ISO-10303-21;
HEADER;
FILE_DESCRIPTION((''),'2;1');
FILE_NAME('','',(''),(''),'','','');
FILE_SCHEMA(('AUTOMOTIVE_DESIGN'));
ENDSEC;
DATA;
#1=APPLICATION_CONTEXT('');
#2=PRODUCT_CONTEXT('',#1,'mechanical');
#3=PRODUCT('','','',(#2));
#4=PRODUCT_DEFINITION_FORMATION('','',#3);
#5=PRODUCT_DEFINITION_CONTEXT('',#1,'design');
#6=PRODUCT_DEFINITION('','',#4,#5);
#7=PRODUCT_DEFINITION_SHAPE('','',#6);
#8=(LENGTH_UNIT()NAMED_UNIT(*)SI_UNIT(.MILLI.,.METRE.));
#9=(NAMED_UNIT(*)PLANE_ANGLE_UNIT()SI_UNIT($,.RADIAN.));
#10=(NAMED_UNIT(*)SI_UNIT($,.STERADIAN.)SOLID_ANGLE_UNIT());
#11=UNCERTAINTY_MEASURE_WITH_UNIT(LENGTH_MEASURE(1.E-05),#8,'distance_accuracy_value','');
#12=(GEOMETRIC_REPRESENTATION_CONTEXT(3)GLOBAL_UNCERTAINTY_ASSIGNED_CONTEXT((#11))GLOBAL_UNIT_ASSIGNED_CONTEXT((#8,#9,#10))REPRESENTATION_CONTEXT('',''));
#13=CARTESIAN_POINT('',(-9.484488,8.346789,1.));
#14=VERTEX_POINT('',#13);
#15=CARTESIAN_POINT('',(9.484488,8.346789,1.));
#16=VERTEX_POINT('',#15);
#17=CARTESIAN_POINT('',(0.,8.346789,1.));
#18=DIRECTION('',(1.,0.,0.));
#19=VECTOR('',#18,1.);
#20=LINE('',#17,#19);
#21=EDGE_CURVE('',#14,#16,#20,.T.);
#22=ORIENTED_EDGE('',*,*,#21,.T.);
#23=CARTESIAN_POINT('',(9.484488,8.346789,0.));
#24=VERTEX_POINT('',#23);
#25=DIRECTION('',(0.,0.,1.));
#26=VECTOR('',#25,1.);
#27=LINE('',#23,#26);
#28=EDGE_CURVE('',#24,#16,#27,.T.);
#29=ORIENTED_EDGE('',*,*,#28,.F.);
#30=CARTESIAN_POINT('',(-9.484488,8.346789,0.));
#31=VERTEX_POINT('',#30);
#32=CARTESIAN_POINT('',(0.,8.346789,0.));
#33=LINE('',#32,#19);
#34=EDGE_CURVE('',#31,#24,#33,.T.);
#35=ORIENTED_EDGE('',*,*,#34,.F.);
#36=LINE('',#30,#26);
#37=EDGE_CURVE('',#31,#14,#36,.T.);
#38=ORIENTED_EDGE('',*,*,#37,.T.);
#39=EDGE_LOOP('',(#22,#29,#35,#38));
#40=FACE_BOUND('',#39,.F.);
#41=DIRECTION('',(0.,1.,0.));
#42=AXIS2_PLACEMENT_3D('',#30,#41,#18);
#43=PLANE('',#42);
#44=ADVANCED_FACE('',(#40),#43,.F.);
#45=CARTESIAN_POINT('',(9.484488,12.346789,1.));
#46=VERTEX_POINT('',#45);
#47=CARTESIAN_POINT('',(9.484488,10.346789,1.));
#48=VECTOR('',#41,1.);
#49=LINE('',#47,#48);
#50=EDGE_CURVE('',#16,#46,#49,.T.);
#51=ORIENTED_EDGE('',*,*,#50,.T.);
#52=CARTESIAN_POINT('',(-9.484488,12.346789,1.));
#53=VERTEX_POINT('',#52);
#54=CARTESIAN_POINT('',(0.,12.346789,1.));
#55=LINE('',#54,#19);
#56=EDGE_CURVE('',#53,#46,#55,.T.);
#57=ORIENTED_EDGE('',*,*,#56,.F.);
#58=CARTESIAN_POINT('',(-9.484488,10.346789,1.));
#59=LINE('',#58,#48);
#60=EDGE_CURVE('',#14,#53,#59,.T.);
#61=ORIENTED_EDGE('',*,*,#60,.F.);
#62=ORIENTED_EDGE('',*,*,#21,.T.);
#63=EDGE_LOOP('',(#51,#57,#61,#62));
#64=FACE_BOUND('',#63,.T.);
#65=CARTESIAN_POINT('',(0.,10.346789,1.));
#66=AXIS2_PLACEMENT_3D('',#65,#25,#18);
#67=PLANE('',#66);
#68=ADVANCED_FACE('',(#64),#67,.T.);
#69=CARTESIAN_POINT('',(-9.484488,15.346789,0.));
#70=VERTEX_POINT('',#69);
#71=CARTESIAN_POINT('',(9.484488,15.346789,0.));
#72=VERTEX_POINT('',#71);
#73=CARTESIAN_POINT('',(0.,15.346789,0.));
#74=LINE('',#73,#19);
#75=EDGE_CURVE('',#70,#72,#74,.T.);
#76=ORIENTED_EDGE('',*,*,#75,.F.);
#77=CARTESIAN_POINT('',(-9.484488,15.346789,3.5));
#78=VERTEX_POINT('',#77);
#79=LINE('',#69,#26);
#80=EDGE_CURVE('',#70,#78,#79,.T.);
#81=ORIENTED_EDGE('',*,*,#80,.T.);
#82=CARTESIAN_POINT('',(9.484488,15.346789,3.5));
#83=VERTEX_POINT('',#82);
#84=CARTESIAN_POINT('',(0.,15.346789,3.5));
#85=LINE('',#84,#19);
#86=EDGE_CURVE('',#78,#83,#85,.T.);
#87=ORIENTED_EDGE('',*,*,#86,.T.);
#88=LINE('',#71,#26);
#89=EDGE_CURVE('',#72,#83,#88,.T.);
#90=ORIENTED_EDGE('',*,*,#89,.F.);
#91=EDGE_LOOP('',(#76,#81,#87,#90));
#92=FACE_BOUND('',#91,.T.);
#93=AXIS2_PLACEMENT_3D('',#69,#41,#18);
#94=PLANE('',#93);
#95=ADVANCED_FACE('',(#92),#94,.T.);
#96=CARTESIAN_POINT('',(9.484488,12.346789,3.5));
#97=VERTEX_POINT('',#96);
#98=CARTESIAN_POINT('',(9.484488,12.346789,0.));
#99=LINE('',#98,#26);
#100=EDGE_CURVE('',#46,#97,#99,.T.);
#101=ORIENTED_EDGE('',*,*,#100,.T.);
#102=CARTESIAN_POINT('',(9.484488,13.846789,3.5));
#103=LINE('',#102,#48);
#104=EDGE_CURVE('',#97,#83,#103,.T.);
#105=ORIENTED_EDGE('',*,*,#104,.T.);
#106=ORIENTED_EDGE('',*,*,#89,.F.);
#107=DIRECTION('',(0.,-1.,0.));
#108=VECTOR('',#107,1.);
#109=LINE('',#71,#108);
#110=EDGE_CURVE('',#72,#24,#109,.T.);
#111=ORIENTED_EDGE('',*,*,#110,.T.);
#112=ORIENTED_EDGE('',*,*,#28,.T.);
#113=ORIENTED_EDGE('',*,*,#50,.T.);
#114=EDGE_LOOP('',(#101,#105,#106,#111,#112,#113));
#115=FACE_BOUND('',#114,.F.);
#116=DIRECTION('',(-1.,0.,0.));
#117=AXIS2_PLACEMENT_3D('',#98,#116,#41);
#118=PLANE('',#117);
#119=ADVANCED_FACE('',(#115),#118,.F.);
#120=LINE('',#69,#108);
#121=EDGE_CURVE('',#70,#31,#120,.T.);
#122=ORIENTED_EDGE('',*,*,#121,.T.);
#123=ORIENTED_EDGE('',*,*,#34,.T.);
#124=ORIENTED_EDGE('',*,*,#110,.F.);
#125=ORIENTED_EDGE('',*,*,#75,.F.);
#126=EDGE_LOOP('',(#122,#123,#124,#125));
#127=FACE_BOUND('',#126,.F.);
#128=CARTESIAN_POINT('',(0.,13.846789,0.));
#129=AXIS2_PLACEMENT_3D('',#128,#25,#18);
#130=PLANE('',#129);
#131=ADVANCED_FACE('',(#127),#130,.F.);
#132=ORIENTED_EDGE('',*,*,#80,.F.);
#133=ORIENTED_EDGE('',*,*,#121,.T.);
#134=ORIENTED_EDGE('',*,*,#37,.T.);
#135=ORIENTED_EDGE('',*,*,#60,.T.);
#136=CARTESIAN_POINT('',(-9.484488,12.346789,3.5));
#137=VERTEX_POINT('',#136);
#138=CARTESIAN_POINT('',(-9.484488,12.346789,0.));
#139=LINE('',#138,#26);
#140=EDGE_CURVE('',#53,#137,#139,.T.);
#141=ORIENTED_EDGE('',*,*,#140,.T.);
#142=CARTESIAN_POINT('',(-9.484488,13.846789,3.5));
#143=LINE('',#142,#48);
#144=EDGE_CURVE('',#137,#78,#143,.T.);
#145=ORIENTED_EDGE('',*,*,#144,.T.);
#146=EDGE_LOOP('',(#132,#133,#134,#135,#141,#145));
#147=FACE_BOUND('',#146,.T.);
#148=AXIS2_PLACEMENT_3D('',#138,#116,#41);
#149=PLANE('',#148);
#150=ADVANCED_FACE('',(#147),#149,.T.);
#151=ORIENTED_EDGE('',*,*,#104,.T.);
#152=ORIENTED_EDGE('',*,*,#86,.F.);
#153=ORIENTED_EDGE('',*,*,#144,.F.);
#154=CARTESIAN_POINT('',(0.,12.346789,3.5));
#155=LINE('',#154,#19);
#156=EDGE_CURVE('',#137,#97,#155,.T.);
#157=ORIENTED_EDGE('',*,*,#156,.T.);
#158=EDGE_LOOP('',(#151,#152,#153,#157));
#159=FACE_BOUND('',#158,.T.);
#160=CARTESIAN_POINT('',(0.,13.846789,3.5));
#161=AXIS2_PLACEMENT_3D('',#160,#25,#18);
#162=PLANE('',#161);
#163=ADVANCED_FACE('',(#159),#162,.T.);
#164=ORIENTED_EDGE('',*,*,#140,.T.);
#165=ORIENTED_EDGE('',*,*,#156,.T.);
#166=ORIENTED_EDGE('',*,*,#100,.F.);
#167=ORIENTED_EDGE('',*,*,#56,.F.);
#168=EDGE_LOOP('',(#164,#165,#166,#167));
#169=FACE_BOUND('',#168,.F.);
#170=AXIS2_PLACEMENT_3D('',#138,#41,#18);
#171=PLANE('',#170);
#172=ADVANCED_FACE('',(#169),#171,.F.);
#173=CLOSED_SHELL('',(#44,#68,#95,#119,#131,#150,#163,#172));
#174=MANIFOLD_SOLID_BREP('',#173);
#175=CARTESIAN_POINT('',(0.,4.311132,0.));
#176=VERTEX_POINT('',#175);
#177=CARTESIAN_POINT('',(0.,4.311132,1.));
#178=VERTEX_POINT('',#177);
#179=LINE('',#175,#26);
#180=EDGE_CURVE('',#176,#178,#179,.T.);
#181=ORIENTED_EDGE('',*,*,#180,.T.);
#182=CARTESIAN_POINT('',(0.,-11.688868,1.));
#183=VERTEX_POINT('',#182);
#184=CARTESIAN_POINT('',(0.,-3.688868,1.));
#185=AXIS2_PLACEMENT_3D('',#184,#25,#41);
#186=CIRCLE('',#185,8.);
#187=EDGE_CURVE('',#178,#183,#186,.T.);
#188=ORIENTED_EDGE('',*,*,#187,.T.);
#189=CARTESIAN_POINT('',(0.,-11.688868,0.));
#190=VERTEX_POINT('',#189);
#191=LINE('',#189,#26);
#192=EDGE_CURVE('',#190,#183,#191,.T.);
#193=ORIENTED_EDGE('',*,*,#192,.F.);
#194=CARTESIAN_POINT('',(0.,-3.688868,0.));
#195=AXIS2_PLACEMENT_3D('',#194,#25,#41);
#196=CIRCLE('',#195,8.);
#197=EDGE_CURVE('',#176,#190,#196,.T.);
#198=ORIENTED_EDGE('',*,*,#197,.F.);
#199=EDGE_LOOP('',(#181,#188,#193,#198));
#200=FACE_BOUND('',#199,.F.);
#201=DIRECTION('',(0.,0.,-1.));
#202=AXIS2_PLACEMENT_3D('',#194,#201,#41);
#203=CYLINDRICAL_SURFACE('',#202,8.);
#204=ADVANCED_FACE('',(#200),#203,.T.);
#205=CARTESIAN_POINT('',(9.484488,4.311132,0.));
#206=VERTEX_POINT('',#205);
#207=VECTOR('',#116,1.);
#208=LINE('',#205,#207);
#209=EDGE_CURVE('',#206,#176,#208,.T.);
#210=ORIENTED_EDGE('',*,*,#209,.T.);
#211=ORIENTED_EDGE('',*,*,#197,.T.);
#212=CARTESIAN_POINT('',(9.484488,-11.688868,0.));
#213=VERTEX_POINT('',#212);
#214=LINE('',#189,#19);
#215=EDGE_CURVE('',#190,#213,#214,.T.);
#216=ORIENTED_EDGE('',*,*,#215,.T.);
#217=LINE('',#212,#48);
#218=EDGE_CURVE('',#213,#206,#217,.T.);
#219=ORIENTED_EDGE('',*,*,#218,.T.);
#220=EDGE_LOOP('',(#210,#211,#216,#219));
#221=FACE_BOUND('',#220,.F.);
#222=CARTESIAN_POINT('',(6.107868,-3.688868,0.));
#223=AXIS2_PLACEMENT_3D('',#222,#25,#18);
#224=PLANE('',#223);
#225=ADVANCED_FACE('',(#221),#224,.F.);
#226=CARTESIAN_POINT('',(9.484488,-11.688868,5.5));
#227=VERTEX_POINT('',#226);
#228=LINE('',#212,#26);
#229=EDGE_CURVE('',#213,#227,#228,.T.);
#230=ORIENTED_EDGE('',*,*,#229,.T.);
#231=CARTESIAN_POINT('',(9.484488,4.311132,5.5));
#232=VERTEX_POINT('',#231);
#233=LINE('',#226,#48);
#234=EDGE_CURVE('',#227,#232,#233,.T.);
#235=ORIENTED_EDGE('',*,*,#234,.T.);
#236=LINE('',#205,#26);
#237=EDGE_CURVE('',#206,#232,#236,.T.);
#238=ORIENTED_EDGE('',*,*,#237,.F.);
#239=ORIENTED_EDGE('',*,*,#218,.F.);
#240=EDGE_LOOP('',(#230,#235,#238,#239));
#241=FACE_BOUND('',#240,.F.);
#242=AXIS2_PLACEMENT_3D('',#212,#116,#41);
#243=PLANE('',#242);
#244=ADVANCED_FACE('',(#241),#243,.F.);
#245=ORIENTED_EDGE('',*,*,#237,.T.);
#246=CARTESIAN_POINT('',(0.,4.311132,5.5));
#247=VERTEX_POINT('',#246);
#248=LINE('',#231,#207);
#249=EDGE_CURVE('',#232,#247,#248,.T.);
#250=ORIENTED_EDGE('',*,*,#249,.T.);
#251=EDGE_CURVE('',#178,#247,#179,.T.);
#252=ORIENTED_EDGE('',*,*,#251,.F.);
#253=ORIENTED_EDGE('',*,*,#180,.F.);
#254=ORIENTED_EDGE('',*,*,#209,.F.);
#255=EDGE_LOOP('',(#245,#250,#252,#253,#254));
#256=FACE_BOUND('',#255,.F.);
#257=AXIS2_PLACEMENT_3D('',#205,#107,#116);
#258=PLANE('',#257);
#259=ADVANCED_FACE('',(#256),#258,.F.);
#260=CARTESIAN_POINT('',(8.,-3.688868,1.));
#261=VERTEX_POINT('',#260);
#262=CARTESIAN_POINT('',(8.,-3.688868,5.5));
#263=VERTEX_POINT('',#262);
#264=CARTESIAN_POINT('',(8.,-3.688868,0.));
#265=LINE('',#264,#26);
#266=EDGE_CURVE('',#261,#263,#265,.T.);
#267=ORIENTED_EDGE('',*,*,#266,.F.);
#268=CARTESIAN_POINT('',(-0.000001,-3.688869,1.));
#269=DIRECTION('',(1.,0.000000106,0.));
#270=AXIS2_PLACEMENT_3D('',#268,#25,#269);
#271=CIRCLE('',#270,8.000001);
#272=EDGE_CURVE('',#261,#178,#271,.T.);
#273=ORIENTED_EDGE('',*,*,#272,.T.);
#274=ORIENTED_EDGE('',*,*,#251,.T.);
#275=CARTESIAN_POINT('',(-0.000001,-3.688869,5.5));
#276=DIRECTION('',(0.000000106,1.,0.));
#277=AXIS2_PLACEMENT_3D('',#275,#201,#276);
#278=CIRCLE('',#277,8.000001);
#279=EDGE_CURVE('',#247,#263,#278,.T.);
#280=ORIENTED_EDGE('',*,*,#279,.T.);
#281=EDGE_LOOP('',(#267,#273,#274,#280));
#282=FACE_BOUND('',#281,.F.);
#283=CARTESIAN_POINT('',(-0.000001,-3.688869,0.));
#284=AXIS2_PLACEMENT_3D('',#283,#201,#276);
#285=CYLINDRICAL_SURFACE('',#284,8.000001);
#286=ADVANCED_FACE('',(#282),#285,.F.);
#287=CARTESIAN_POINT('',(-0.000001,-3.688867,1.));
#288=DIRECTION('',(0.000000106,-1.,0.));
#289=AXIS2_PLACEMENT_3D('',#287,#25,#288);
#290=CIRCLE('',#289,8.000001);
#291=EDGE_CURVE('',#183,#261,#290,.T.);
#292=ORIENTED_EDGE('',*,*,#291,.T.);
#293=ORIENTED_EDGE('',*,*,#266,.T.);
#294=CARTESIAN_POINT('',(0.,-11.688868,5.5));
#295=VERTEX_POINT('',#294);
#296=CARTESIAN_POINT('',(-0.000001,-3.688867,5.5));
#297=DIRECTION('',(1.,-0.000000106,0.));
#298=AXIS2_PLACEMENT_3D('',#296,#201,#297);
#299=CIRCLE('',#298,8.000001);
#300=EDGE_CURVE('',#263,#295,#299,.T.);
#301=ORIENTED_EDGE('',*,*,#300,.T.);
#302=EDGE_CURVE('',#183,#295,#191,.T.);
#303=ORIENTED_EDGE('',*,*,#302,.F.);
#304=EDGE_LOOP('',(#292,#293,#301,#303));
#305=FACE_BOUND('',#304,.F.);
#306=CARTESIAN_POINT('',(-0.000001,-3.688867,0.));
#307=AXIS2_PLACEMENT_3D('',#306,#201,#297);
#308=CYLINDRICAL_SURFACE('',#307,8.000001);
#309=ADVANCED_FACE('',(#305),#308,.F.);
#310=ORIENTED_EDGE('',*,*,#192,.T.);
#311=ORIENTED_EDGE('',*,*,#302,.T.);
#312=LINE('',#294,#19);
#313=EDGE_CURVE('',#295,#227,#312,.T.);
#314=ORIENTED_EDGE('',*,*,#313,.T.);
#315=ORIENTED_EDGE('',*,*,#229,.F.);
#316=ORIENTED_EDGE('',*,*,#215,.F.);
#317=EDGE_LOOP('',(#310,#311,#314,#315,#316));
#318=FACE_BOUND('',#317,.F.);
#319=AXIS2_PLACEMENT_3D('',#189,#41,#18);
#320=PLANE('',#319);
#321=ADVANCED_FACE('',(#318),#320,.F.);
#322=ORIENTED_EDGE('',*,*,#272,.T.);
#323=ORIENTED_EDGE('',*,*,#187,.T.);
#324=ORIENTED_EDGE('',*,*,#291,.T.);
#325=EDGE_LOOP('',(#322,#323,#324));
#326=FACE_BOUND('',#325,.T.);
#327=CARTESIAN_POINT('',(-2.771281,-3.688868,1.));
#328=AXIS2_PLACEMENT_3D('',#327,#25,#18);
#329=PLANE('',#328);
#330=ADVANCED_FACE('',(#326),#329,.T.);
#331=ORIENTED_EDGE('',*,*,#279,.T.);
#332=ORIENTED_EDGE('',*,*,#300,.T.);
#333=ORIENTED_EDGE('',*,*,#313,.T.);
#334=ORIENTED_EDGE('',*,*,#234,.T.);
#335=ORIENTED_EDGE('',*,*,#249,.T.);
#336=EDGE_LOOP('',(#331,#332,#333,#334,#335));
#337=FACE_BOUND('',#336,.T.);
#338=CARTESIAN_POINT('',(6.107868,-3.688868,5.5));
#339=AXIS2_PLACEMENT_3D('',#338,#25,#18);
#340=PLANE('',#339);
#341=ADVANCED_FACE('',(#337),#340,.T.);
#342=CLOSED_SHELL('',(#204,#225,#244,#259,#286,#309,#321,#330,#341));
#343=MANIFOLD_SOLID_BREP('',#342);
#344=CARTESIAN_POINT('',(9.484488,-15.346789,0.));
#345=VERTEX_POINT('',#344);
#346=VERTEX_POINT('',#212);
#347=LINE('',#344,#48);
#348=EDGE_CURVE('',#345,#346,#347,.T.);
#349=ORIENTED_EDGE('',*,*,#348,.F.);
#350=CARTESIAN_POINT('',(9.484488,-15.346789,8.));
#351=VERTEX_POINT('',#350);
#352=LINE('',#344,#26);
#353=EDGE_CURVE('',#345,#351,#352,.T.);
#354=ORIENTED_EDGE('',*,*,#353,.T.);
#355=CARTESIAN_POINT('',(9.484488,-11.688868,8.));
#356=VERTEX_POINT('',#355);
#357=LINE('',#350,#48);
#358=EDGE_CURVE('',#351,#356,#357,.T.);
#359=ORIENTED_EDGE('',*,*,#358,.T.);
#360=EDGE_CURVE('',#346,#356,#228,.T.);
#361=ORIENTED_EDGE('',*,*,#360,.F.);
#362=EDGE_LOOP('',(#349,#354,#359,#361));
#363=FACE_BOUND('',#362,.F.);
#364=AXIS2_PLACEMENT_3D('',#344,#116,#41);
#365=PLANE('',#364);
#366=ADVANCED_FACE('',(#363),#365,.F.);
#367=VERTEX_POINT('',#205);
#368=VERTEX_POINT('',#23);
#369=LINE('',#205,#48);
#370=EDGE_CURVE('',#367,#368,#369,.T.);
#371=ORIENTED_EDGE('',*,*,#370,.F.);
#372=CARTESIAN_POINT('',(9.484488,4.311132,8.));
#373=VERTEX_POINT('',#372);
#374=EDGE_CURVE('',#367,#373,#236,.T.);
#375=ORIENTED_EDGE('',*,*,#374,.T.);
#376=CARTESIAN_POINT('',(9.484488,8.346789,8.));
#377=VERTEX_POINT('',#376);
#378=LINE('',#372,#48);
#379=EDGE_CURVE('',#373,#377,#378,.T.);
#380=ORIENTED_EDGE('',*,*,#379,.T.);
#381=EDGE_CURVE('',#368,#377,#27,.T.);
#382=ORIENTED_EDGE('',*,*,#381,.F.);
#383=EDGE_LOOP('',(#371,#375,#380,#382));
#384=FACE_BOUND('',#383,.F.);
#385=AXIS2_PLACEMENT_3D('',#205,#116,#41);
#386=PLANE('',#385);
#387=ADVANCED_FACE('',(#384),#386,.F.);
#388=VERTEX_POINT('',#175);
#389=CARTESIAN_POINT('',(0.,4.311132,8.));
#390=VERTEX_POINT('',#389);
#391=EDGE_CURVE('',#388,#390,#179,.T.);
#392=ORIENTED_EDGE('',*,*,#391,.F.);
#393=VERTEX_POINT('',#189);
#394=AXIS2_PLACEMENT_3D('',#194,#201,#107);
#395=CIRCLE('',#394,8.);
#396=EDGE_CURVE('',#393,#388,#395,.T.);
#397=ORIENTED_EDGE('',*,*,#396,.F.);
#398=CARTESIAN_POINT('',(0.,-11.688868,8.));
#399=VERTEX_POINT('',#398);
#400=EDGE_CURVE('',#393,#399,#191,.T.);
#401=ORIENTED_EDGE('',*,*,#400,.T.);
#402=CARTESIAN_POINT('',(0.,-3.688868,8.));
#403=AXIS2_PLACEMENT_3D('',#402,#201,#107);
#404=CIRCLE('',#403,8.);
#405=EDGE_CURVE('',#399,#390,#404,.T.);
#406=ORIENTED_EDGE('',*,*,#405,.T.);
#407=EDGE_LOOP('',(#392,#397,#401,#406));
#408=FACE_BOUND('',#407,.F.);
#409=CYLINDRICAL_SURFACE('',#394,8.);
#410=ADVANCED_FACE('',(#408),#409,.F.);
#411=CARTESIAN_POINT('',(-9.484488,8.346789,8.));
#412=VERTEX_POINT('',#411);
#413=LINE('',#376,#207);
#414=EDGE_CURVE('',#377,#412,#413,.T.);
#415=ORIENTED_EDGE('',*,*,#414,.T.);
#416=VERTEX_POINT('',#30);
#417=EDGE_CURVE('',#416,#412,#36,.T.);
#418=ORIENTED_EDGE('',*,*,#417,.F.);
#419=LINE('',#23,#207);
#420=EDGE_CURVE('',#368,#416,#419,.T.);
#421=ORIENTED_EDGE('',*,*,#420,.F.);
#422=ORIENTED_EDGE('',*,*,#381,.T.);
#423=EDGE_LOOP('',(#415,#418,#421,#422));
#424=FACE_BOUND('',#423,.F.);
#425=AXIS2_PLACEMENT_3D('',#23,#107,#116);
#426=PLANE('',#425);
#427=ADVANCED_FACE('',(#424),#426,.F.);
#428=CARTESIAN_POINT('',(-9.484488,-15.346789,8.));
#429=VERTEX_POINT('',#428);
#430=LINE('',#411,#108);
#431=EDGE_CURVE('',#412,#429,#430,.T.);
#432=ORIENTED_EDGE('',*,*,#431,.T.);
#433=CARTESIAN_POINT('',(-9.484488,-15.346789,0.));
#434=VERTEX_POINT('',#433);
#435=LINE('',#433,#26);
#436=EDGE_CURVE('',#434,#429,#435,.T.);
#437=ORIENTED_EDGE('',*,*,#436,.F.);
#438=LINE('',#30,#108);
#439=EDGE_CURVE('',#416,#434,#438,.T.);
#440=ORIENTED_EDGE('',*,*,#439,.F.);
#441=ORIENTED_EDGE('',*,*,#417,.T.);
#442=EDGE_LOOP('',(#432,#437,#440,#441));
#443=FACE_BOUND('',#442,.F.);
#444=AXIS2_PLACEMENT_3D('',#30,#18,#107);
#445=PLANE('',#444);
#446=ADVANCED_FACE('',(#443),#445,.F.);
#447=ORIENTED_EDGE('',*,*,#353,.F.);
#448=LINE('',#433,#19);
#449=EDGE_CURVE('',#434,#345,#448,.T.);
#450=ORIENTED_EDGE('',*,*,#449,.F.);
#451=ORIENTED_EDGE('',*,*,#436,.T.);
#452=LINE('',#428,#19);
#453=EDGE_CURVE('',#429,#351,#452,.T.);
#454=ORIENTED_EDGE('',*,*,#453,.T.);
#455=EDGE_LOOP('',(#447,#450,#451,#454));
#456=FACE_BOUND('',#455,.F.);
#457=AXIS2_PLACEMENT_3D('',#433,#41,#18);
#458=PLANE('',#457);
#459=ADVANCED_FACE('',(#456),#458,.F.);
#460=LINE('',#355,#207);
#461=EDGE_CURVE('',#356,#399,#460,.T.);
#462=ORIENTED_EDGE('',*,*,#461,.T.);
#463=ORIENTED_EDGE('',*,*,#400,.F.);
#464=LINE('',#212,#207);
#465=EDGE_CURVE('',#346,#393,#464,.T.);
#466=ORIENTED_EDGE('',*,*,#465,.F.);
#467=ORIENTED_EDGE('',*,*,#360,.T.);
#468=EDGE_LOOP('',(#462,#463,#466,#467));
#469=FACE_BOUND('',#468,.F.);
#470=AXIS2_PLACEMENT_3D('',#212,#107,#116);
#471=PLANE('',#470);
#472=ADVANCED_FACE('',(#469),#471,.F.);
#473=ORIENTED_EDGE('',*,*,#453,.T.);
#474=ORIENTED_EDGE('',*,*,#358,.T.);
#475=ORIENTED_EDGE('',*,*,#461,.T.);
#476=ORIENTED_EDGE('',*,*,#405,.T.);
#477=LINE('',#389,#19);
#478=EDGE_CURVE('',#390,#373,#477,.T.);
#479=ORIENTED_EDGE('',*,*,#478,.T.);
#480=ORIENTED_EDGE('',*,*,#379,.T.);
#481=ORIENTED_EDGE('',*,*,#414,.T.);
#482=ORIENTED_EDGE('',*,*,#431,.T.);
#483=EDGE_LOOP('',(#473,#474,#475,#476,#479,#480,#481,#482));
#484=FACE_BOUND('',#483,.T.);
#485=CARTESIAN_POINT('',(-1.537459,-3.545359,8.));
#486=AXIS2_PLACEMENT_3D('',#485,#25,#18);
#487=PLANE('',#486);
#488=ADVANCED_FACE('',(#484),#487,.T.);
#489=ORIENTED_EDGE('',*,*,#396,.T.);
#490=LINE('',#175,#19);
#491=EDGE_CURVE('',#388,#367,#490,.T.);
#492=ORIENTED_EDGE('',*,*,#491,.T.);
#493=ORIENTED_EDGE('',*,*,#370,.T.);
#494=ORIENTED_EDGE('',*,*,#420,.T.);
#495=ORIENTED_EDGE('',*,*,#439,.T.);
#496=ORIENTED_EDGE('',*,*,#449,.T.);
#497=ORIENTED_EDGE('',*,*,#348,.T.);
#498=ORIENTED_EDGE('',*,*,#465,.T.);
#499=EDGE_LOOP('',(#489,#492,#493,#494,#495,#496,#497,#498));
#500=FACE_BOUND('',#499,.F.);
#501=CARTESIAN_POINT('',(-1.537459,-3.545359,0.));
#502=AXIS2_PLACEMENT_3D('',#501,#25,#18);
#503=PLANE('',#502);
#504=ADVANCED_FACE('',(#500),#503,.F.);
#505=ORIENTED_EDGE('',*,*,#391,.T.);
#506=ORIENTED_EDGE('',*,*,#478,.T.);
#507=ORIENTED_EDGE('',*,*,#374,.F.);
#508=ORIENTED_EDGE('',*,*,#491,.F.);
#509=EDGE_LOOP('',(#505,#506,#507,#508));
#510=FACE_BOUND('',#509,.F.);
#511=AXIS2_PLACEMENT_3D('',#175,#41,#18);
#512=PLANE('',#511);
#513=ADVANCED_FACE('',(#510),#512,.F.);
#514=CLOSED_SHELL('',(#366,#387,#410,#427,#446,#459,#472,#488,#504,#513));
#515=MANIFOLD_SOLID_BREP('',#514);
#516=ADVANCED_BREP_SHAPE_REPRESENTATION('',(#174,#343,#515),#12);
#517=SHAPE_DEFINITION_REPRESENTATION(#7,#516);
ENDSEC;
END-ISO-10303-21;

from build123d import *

# Parameters (mm, degrees)
F0_W     = 18.968976
F0_H     = 4
F1_DEPTH = 1
F2_DEPTH = 5.5
F3_DEPTH = 8
F0_H_2   = 3
F4_DEPTH = 3.5


with BuildPart() as f1:
    # F0 (on Top) → F1 (new body)
    with BuildSketch(Plane.XY):
        with BuildLine():
            Line((0, -11.688868), (0, 4.311132))
            ThreePointArc((0, 4.311132), (-8, -3.688868), (0, -11.688868))
        make_face()
        with BuildLine():
            ThreePointArc((8, -3.688868), (5.656854, 1.967986), (0, 4.311132))
            Line((0, 4.311132), (0, -11.688868))
            ThreePointArc((0, -11.688868), (5.656854, -9.345722), (8, -3.688868))
        make_face()
        with Locations((0, 10.346789)):
            Rectangle(F0_W, F0_H)
    extrude(amount=F1_DEPTH)

    # F0 (on Top) → F2 (join)
    with BuildSketch(Plane.XY):
        with BuildLine():
            Line((9.484488, -11.688868), (9.484488, 4.311132))
            Line((9.484488, 4.311132), (0, 4.311132))
            ThreePointArc((0, 4.311132), (5.656854, 1.967986), (8, -3.688868))
            ThreePointArc((8, -3.688868), (5.656854, -9.345722), (0, -11.688868))
            Line((0, -11.688868), (9.484488, -11.688868))
        make_face()
    extrude(amount=F2_DEPTH)

    # F0 (on Top) → F4 (join)
    with BuildSketch(Plane.XY):
        with Locations((0, 13.846789)):
            Rectangle(F0_W, F0_H_2)
    extrude(amount=F4_DEPTH)


with BuildPart() as f3:
    # F0 (on Top) → F3 (new body)
    with BuildSketch(Plane.XY):
        with BuildLine():
            Line((9.484488, 4.311132), (9.484488, 8.346789))
            Line((9.484488, 8.346789), (-9.484488, 8.346789))
            Line((-9.484488, 8.346789), (-9.484488, -15.346789))
            Line((-9.484488, -15.346789), (9.484488, -15.346789))
            Line((9.484488, -15.346789), (9.484488, -11.688868))
            Line((9.484488, -11.688868), (0, -11.688868))
            ThreePointArc((0, -11.688868), (-8, -3.688868), (0, 4.311132))
            Line((0, 4.311132), (9.484488, 4.311132))
        make_face()
    extrude(amount=F3_DEPTH)


solid = Compound([f1.part, f3.part])
